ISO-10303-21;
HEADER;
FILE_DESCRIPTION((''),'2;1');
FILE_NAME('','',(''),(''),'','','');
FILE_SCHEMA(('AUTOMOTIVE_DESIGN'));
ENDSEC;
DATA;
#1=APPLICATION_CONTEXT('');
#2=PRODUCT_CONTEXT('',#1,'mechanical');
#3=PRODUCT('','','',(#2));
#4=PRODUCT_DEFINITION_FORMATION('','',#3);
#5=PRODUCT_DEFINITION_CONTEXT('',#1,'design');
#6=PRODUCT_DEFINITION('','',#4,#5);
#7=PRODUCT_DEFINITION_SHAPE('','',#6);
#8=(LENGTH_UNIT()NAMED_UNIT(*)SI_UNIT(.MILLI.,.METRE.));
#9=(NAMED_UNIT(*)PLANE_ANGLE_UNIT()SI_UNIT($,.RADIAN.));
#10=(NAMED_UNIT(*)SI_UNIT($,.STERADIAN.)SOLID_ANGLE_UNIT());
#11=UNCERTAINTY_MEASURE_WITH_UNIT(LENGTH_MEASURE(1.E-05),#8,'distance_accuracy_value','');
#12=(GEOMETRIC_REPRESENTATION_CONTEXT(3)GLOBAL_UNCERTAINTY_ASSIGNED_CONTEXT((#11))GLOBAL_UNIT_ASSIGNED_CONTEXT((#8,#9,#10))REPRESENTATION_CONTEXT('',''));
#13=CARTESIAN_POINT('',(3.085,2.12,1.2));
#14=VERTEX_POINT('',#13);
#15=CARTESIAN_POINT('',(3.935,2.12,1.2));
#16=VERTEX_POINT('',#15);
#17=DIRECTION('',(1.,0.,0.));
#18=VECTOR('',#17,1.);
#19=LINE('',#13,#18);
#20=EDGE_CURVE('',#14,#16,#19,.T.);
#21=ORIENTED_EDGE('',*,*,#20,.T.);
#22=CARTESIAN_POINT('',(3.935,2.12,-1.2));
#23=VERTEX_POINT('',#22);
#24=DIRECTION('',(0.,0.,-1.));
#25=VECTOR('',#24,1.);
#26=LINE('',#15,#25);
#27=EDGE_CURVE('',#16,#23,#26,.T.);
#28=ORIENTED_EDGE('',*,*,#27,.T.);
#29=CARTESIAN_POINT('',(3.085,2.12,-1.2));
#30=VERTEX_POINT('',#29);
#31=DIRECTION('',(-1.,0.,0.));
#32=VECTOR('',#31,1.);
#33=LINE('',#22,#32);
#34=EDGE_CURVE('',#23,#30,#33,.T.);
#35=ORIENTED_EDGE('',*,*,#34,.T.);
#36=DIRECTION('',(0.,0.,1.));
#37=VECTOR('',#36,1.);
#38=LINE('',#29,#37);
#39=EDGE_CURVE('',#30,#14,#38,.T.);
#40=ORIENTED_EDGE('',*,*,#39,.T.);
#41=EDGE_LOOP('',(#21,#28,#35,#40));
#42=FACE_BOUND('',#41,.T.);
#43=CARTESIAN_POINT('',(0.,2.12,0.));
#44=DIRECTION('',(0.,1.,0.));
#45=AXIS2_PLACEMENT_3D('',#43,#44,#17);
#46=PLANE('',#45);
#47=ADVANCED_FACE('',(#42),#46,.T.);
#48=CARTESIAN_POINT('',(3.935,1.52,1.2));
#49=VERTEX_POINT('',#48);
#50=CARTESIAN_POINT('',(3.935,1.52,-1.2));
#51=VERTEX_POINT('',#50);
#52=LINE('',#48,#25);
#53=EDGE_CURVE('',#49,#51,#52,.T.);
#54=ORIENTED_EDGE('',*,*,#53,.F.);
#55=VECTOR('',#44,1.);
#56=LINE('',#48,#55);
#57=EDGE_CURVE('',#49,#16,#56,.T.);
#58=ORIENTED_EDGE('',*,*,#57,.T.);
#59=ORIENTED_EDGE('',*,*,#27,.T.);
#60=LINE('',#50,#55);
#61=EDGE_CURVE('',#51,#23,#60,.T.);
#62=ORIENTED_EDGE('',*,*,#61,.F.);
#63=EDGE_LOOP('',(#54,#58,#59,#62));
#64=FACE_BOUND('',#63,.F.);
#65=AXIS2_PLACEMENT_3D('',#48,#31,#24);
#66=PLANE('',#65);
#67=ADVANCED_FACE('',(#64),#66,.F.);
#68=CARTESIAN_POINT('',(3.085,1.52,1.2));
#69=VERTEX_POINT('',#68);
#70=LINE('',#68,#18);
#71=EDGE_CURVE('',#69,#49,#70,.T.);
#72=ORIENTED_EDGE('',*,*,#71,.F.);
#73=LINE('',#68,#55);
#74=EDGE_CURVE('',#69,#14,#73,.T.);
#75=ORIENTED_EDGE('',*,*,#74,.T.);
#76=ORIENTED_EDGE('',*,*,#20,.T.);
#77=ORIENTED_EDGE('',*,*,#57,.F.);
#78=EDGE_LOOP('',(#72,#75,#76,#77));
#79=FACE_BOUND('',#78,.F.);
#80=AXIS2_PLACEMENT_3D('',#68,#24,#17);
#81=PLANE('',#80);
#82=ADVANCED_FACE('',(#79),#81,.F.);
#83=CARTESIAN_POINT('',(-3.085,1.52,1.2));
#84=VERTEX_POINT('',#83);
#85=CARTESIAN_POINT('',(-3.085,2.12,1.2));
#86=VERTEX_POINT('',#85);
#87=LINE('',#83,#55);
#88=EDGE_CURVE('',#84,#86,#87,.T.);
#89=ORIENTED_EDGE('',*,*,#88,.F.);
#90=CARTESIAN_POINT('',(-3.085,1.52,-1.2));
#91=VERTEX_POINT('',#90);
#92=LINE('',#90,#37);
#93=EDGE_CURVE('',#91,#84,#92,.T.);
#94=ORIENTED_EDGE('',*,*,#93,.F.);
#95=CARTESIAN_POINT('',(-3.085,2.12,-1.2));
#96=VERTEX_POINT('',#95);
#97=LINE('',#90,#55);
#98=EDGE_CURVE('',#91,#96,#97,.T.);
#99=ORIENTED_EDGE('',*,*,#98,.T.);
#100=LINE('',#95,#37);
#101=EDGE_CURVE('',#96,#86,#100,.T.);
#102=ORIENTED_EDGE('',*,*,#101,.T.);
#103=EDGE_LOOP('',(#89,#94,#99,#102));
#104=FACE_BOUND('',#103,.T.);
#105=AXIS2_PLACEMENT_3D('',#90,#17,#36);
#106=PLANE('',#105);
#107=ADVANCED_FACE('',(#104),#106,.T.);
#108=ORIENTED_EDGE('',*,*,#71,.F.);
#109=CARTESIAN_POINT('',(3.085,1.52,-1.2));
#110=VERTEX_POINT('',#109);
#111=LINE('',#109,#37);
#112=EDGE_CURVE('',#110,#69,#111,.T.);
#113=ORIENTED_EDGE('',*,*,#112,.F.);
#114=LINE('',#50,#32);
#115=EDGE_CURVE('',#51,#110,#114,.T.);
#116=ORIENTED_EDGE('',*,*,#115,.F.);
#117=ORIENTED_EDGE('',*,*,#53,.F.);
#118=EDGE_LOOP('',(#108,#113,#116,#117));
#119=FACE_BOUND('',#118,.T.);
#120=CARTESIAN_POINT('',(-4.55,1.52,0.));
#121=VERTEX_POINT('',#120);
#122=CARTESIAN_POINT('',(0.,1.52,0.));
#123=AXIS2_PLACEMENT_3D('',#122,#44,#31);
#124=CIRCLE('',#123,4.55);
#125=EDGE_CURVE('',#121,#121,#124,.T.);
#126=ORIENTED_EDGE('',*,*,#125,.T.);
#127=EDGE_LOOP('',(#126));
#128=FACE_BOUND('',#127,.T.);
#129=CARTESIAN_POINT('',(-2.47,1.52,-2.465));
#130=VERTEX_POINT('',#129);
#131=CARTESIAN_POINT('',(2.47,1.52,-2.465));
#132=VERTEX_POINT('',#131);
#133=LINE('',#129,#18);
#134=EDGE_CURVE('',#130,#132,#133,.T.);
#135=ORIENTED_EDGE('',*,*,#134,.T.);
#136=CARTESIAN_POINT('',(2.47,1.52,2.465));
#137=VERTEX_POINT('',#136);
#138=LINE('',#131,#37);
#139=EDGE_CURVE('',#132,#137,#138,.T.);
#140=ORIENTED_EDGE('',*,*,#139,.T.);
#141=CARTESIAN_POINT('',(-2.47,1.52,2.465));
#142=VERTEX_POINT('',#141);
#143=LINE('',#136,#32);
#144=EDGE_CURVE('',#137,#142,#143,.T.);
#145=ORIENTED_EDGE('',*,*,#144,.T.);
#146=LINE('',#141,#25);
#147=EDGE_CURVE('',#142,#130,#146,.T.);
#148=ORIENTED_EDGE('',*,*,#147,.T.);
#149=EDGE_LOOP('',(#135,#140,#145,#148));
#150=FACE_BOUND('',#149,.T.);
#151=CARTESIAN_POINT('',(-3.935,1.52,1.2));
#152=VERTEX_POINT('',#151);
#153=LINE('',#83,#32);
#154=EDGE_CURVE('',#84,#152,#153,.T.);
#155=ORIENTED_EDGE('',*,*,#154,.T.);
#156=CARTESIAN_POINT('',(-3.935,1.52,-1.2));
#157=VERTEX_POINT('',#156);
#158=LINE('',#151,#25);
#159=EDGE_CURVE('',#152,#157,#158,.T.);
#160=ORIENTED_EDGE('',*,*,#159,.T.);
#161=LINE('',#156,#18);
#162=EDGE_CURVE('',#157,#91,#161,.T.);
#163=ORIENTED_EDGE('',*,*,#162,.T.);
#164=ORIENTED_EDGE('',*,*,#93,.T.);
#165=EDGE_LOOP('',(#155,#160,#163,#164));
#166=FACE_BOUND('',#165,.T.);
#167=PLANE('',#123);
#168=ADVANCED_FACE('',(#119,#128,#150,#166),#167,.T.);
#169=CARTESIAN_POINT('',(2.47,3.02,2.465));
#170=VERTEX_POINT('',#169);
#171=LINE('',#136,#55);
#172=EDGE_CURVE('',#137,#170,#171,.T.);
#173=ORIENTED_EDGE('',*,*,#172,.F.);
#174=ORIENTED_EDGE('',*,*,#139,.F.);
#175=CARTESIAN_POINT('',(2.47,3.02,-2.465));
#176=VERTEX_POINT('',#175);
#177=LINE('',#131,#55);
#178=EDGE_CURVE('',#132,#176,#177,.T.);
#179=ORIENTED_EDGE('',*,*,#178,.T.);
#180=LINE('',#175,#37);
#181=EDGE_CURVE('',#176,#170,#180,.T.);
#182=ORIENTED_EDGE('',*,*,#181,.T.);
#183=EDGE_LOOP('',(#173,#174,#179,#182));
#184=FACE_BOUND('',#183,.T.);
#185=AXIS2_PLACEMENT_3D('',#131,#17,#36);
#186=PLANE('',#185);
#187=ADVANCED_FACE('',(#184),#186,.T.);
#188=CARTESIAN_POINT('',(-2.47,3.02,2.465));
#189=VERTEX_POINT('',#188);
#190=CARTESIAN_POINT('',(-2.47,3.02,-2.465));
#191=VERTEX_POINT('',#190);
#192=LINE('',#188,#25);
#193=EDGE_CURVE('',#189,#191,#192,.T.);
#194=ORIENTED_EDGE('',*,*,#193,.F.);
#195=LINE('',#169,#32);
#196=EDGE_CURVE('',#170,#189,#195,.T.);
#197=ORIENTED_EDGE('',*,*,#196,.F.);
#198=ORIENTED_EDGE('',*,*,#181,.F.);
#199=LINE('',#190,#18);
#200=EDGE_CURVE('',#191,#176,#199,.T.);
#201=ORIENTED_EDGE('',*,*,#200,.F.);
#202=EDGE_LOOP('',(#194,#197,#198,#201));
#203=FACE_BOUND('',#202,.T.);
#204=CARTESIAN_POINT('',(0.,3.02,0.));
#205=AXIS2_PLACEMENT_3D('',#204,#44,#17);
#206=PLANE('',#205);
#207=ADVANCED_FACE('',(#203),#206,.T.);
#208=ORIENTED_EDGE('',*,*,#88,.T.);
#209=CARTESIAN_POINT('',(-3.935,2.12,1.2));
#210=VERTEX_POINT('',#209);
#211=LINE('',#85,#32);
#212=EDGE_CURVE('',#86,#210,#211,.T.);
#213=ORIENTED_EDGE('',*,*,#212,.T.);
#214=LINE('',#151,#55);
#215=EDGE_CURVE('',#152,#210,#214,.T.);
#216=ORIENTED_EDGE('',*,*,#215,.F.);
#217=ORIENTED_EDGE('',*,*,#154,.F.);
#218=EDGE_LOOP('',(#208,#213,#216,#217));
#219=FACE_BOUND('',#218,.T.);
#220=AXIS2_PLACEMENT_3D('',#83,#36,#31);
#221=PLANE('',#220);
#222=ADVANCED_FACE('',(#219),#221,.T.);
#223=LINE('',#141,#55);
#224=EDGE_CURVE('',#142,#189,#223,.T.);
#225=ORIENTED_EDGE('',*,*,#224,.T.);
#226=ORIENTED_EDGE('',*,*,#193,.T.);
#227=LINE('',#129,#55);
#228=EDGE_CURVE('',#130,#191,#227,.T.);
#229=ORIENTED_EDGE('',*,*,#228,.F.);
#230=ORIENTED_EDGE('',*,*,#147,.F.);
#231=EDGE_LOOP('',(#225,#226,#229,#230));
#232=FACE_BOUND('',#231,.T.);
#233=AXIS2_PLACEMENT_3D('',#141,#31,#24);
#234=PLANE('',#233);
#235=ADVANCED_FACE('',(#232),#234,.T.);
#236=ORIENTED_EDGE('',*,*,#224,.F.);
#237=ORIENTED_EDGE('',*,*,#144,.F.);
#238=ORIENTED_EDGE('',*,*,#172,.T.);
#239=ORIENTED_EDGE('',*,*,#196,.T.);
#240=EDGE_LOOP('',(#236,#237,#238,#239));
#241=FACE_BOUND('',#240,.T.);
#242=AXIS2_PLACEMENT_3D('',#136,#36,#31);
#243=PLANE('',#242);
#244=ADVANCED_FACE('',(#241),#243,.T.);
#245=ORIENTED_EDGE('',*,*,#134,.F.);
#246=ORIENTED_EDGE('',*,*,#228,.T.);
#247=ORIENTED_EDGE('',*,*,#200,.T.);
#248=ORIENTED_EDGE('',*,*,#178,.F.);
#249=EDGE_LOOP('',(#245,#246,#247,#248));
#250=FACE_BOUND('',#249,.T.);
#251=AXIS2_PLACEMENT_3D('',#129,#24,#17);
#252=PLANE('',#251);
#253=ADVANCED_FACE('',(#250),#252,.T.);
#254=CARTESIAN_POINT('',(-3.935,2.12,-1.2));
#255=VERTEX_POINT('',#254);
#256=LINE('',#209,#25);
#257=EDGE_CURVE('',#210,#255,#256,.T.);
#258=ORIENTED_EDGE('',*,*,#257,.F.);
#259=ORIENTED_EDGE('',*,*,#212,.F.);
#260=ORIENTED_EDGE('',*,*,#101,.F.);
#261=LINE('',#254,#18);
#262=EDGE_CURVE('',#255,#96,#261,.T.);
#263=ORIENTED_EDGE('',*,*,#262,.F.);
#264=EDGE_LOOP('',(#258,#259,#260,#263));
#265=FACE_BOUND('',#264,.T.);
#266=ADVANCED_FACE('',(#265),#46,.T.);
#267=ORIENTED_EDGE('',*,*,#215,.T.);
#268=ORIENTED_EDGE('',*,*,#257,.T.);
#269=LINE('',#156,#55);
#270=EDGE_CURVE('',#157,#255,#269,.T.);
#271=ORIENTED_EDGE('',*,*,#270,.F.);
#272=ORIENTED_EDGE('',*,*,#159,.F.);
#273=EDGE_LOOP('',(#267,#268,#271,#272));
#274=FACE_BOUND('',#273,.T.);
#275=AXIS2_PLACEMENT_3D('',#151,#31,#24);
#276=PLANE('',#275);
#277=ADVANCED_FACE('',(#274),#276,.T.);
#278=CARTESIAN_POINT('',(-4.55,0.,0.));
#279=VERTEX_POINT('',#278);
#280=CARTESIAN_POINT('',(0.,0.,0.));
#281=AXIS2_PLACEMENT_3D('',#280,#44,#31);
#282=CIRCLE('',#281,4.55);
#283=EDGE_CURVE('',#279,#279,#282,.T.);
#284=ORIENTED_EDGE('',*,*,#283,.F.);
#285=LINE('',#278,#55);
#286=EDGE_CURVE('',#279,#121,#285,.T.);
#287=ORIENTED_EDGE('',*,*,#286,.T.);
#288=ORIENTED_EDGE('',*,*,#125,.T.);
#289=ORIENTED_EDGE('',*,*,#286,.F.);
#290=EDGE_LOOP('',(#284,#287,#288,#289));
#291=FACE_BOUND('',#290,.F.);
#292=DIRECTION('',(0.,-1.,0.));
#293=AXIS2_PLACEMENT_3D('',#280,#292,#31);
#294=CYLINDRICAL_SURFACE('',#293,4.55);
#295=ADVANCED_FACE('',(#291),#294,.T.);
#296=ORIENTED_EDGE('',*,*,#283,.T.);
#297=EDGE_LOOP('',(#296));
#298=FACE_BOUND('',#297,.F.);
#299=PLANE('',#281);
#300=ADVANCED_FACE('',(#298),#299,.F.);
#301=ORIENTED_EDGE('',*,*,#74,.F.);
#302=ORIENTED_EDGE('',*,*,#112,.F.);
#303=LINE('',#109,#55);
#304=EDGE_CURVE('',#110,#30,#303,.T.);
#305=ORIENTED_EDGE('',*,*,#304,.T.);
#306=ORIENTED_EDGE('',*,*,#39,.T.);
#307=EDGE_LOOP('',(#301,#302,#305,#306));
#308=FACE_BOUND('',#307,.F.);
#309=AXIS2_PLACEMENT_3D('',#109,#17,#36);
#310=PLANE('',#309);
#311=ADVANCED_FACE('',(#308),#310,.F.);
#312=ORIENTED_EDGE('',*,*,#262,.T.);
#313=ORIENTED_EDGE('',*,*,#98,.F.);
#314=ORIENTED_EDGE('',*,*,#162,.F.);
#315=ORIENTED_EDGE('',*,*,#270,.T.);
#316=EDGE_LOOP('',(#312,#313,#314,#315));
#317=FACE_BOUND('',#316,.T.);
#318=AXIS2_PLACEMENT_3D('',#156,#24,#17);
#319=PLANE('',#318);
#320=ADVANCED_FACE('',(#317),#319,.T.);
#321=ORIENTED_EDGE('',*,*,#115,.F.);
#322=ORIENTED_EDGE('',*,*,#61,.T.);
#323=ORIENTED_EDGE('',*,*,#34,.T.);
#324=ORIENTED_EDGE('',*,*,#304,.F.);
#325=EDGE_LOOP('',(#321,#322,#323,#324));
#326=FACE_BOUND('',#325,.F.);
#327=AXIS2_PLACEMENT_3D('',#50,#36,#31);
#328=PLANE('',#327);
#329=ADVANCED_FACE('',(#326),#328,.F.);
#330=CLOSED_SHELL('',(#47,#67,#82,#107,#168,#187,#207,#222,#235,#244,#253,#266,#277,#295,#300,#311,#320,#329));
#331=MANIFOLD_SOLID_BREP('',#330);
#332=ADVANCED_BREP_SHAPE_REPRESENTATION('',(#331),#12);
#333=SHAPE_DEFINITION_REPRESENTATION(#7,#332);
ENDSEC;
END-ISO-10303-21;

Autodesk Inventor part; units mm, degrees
ref_plane "YZ Plane" through (0, 0, 0) normal (1, 0, 0) x (0, 1, 0)
ref_plane "XZ Plane" through (0, 0, 0) normal (0, 1, 0) x (-1, 0, 0)
ref_plane "XY Plane" through (0, 0, 0) normal (0, 0, 1) x (1, 0, 0)
sketch "Sketch1" plane through (0, 0, 0) normal (0, 1, 0) x (-1, 0, 0)
  circle A0 centre (0, 0) radius 4.55
  dimension "d0" = 9.1
extrude "Extrusion1" add sketch "Sketch1" along normal blind 1.52
sketch "Sketch2" plane through (0, 1.52, 0) normal (0, 1, 0) x (1, 0, 0)
  line L0 (2.47, -2.465) -> (-2.47, -2.465)
  line L1 (-2.47, -2.465) -> (-2.47, 2.465)
  line L2 (-2.47, 2.465) -> (2.47, 2.465)
  line L3 (2.47, 2.465) -> (2.47, -2.465)
  line L4 (2.47, -2.465) -> (-2.47, 2.465) construction
  line L5 (-2.47, -2.465) -> (2.47, 2.465) construction
  point P0 (0, 0)
  dimension "d3" = 4.94
  dimension "d4" = 4.93
extrude "Extrusion2" add sketch "Sketch2" along normal blind 1.5
sketch "Sketch3" plane through (0, 1.52, 0) normal (0, 1, 0) x (1, 0, 0)
  line L0 (3.935, 1.2) -> (3.085, 1.2)
  line L1 (3.085, 1.2) -> (3.085, -1.2)
  line L2 (3.085, -1.2) -> (3.935, -1.2)
  line L3 (3.935, -1.2) -> (3.935, 1.2)
  line L4 (2.47, -2.465) -> (2.47, 2.465) projected
  circle A0 centre (0, 0) radius 4.55 projected
  line L5 (0, 4.55) -> (0, -4.55) construction
  line L6 (-3.935, 1.2) -> (-3.085, 1.2)
  line L7 (-3.085, 1.2) -> (-3.085, -1.2)
  line L8 (-3.085, -1.2) -> (-3.935, -1.2)
  line L9 (-3.935, -1.2) -> (-3.935, 1.2)
  dimension "d7" = 2.4
  dimension "d8" = 0.85
  dimension "d9" = 0.615
  dimension "d10" = 0.615
  dimension "d11" = 1.2
  dimension "d12" = 1.2
extrude "Extrusion3" add sketch "Sketch3" along normal blind 0.6 contours L3 L2 L1 L0 | L6 L7 L8 L9
equation "\"d9\" = d10"
equation "\"d11\" = d12"
properties part number "neopixel mini pcb footprint"
